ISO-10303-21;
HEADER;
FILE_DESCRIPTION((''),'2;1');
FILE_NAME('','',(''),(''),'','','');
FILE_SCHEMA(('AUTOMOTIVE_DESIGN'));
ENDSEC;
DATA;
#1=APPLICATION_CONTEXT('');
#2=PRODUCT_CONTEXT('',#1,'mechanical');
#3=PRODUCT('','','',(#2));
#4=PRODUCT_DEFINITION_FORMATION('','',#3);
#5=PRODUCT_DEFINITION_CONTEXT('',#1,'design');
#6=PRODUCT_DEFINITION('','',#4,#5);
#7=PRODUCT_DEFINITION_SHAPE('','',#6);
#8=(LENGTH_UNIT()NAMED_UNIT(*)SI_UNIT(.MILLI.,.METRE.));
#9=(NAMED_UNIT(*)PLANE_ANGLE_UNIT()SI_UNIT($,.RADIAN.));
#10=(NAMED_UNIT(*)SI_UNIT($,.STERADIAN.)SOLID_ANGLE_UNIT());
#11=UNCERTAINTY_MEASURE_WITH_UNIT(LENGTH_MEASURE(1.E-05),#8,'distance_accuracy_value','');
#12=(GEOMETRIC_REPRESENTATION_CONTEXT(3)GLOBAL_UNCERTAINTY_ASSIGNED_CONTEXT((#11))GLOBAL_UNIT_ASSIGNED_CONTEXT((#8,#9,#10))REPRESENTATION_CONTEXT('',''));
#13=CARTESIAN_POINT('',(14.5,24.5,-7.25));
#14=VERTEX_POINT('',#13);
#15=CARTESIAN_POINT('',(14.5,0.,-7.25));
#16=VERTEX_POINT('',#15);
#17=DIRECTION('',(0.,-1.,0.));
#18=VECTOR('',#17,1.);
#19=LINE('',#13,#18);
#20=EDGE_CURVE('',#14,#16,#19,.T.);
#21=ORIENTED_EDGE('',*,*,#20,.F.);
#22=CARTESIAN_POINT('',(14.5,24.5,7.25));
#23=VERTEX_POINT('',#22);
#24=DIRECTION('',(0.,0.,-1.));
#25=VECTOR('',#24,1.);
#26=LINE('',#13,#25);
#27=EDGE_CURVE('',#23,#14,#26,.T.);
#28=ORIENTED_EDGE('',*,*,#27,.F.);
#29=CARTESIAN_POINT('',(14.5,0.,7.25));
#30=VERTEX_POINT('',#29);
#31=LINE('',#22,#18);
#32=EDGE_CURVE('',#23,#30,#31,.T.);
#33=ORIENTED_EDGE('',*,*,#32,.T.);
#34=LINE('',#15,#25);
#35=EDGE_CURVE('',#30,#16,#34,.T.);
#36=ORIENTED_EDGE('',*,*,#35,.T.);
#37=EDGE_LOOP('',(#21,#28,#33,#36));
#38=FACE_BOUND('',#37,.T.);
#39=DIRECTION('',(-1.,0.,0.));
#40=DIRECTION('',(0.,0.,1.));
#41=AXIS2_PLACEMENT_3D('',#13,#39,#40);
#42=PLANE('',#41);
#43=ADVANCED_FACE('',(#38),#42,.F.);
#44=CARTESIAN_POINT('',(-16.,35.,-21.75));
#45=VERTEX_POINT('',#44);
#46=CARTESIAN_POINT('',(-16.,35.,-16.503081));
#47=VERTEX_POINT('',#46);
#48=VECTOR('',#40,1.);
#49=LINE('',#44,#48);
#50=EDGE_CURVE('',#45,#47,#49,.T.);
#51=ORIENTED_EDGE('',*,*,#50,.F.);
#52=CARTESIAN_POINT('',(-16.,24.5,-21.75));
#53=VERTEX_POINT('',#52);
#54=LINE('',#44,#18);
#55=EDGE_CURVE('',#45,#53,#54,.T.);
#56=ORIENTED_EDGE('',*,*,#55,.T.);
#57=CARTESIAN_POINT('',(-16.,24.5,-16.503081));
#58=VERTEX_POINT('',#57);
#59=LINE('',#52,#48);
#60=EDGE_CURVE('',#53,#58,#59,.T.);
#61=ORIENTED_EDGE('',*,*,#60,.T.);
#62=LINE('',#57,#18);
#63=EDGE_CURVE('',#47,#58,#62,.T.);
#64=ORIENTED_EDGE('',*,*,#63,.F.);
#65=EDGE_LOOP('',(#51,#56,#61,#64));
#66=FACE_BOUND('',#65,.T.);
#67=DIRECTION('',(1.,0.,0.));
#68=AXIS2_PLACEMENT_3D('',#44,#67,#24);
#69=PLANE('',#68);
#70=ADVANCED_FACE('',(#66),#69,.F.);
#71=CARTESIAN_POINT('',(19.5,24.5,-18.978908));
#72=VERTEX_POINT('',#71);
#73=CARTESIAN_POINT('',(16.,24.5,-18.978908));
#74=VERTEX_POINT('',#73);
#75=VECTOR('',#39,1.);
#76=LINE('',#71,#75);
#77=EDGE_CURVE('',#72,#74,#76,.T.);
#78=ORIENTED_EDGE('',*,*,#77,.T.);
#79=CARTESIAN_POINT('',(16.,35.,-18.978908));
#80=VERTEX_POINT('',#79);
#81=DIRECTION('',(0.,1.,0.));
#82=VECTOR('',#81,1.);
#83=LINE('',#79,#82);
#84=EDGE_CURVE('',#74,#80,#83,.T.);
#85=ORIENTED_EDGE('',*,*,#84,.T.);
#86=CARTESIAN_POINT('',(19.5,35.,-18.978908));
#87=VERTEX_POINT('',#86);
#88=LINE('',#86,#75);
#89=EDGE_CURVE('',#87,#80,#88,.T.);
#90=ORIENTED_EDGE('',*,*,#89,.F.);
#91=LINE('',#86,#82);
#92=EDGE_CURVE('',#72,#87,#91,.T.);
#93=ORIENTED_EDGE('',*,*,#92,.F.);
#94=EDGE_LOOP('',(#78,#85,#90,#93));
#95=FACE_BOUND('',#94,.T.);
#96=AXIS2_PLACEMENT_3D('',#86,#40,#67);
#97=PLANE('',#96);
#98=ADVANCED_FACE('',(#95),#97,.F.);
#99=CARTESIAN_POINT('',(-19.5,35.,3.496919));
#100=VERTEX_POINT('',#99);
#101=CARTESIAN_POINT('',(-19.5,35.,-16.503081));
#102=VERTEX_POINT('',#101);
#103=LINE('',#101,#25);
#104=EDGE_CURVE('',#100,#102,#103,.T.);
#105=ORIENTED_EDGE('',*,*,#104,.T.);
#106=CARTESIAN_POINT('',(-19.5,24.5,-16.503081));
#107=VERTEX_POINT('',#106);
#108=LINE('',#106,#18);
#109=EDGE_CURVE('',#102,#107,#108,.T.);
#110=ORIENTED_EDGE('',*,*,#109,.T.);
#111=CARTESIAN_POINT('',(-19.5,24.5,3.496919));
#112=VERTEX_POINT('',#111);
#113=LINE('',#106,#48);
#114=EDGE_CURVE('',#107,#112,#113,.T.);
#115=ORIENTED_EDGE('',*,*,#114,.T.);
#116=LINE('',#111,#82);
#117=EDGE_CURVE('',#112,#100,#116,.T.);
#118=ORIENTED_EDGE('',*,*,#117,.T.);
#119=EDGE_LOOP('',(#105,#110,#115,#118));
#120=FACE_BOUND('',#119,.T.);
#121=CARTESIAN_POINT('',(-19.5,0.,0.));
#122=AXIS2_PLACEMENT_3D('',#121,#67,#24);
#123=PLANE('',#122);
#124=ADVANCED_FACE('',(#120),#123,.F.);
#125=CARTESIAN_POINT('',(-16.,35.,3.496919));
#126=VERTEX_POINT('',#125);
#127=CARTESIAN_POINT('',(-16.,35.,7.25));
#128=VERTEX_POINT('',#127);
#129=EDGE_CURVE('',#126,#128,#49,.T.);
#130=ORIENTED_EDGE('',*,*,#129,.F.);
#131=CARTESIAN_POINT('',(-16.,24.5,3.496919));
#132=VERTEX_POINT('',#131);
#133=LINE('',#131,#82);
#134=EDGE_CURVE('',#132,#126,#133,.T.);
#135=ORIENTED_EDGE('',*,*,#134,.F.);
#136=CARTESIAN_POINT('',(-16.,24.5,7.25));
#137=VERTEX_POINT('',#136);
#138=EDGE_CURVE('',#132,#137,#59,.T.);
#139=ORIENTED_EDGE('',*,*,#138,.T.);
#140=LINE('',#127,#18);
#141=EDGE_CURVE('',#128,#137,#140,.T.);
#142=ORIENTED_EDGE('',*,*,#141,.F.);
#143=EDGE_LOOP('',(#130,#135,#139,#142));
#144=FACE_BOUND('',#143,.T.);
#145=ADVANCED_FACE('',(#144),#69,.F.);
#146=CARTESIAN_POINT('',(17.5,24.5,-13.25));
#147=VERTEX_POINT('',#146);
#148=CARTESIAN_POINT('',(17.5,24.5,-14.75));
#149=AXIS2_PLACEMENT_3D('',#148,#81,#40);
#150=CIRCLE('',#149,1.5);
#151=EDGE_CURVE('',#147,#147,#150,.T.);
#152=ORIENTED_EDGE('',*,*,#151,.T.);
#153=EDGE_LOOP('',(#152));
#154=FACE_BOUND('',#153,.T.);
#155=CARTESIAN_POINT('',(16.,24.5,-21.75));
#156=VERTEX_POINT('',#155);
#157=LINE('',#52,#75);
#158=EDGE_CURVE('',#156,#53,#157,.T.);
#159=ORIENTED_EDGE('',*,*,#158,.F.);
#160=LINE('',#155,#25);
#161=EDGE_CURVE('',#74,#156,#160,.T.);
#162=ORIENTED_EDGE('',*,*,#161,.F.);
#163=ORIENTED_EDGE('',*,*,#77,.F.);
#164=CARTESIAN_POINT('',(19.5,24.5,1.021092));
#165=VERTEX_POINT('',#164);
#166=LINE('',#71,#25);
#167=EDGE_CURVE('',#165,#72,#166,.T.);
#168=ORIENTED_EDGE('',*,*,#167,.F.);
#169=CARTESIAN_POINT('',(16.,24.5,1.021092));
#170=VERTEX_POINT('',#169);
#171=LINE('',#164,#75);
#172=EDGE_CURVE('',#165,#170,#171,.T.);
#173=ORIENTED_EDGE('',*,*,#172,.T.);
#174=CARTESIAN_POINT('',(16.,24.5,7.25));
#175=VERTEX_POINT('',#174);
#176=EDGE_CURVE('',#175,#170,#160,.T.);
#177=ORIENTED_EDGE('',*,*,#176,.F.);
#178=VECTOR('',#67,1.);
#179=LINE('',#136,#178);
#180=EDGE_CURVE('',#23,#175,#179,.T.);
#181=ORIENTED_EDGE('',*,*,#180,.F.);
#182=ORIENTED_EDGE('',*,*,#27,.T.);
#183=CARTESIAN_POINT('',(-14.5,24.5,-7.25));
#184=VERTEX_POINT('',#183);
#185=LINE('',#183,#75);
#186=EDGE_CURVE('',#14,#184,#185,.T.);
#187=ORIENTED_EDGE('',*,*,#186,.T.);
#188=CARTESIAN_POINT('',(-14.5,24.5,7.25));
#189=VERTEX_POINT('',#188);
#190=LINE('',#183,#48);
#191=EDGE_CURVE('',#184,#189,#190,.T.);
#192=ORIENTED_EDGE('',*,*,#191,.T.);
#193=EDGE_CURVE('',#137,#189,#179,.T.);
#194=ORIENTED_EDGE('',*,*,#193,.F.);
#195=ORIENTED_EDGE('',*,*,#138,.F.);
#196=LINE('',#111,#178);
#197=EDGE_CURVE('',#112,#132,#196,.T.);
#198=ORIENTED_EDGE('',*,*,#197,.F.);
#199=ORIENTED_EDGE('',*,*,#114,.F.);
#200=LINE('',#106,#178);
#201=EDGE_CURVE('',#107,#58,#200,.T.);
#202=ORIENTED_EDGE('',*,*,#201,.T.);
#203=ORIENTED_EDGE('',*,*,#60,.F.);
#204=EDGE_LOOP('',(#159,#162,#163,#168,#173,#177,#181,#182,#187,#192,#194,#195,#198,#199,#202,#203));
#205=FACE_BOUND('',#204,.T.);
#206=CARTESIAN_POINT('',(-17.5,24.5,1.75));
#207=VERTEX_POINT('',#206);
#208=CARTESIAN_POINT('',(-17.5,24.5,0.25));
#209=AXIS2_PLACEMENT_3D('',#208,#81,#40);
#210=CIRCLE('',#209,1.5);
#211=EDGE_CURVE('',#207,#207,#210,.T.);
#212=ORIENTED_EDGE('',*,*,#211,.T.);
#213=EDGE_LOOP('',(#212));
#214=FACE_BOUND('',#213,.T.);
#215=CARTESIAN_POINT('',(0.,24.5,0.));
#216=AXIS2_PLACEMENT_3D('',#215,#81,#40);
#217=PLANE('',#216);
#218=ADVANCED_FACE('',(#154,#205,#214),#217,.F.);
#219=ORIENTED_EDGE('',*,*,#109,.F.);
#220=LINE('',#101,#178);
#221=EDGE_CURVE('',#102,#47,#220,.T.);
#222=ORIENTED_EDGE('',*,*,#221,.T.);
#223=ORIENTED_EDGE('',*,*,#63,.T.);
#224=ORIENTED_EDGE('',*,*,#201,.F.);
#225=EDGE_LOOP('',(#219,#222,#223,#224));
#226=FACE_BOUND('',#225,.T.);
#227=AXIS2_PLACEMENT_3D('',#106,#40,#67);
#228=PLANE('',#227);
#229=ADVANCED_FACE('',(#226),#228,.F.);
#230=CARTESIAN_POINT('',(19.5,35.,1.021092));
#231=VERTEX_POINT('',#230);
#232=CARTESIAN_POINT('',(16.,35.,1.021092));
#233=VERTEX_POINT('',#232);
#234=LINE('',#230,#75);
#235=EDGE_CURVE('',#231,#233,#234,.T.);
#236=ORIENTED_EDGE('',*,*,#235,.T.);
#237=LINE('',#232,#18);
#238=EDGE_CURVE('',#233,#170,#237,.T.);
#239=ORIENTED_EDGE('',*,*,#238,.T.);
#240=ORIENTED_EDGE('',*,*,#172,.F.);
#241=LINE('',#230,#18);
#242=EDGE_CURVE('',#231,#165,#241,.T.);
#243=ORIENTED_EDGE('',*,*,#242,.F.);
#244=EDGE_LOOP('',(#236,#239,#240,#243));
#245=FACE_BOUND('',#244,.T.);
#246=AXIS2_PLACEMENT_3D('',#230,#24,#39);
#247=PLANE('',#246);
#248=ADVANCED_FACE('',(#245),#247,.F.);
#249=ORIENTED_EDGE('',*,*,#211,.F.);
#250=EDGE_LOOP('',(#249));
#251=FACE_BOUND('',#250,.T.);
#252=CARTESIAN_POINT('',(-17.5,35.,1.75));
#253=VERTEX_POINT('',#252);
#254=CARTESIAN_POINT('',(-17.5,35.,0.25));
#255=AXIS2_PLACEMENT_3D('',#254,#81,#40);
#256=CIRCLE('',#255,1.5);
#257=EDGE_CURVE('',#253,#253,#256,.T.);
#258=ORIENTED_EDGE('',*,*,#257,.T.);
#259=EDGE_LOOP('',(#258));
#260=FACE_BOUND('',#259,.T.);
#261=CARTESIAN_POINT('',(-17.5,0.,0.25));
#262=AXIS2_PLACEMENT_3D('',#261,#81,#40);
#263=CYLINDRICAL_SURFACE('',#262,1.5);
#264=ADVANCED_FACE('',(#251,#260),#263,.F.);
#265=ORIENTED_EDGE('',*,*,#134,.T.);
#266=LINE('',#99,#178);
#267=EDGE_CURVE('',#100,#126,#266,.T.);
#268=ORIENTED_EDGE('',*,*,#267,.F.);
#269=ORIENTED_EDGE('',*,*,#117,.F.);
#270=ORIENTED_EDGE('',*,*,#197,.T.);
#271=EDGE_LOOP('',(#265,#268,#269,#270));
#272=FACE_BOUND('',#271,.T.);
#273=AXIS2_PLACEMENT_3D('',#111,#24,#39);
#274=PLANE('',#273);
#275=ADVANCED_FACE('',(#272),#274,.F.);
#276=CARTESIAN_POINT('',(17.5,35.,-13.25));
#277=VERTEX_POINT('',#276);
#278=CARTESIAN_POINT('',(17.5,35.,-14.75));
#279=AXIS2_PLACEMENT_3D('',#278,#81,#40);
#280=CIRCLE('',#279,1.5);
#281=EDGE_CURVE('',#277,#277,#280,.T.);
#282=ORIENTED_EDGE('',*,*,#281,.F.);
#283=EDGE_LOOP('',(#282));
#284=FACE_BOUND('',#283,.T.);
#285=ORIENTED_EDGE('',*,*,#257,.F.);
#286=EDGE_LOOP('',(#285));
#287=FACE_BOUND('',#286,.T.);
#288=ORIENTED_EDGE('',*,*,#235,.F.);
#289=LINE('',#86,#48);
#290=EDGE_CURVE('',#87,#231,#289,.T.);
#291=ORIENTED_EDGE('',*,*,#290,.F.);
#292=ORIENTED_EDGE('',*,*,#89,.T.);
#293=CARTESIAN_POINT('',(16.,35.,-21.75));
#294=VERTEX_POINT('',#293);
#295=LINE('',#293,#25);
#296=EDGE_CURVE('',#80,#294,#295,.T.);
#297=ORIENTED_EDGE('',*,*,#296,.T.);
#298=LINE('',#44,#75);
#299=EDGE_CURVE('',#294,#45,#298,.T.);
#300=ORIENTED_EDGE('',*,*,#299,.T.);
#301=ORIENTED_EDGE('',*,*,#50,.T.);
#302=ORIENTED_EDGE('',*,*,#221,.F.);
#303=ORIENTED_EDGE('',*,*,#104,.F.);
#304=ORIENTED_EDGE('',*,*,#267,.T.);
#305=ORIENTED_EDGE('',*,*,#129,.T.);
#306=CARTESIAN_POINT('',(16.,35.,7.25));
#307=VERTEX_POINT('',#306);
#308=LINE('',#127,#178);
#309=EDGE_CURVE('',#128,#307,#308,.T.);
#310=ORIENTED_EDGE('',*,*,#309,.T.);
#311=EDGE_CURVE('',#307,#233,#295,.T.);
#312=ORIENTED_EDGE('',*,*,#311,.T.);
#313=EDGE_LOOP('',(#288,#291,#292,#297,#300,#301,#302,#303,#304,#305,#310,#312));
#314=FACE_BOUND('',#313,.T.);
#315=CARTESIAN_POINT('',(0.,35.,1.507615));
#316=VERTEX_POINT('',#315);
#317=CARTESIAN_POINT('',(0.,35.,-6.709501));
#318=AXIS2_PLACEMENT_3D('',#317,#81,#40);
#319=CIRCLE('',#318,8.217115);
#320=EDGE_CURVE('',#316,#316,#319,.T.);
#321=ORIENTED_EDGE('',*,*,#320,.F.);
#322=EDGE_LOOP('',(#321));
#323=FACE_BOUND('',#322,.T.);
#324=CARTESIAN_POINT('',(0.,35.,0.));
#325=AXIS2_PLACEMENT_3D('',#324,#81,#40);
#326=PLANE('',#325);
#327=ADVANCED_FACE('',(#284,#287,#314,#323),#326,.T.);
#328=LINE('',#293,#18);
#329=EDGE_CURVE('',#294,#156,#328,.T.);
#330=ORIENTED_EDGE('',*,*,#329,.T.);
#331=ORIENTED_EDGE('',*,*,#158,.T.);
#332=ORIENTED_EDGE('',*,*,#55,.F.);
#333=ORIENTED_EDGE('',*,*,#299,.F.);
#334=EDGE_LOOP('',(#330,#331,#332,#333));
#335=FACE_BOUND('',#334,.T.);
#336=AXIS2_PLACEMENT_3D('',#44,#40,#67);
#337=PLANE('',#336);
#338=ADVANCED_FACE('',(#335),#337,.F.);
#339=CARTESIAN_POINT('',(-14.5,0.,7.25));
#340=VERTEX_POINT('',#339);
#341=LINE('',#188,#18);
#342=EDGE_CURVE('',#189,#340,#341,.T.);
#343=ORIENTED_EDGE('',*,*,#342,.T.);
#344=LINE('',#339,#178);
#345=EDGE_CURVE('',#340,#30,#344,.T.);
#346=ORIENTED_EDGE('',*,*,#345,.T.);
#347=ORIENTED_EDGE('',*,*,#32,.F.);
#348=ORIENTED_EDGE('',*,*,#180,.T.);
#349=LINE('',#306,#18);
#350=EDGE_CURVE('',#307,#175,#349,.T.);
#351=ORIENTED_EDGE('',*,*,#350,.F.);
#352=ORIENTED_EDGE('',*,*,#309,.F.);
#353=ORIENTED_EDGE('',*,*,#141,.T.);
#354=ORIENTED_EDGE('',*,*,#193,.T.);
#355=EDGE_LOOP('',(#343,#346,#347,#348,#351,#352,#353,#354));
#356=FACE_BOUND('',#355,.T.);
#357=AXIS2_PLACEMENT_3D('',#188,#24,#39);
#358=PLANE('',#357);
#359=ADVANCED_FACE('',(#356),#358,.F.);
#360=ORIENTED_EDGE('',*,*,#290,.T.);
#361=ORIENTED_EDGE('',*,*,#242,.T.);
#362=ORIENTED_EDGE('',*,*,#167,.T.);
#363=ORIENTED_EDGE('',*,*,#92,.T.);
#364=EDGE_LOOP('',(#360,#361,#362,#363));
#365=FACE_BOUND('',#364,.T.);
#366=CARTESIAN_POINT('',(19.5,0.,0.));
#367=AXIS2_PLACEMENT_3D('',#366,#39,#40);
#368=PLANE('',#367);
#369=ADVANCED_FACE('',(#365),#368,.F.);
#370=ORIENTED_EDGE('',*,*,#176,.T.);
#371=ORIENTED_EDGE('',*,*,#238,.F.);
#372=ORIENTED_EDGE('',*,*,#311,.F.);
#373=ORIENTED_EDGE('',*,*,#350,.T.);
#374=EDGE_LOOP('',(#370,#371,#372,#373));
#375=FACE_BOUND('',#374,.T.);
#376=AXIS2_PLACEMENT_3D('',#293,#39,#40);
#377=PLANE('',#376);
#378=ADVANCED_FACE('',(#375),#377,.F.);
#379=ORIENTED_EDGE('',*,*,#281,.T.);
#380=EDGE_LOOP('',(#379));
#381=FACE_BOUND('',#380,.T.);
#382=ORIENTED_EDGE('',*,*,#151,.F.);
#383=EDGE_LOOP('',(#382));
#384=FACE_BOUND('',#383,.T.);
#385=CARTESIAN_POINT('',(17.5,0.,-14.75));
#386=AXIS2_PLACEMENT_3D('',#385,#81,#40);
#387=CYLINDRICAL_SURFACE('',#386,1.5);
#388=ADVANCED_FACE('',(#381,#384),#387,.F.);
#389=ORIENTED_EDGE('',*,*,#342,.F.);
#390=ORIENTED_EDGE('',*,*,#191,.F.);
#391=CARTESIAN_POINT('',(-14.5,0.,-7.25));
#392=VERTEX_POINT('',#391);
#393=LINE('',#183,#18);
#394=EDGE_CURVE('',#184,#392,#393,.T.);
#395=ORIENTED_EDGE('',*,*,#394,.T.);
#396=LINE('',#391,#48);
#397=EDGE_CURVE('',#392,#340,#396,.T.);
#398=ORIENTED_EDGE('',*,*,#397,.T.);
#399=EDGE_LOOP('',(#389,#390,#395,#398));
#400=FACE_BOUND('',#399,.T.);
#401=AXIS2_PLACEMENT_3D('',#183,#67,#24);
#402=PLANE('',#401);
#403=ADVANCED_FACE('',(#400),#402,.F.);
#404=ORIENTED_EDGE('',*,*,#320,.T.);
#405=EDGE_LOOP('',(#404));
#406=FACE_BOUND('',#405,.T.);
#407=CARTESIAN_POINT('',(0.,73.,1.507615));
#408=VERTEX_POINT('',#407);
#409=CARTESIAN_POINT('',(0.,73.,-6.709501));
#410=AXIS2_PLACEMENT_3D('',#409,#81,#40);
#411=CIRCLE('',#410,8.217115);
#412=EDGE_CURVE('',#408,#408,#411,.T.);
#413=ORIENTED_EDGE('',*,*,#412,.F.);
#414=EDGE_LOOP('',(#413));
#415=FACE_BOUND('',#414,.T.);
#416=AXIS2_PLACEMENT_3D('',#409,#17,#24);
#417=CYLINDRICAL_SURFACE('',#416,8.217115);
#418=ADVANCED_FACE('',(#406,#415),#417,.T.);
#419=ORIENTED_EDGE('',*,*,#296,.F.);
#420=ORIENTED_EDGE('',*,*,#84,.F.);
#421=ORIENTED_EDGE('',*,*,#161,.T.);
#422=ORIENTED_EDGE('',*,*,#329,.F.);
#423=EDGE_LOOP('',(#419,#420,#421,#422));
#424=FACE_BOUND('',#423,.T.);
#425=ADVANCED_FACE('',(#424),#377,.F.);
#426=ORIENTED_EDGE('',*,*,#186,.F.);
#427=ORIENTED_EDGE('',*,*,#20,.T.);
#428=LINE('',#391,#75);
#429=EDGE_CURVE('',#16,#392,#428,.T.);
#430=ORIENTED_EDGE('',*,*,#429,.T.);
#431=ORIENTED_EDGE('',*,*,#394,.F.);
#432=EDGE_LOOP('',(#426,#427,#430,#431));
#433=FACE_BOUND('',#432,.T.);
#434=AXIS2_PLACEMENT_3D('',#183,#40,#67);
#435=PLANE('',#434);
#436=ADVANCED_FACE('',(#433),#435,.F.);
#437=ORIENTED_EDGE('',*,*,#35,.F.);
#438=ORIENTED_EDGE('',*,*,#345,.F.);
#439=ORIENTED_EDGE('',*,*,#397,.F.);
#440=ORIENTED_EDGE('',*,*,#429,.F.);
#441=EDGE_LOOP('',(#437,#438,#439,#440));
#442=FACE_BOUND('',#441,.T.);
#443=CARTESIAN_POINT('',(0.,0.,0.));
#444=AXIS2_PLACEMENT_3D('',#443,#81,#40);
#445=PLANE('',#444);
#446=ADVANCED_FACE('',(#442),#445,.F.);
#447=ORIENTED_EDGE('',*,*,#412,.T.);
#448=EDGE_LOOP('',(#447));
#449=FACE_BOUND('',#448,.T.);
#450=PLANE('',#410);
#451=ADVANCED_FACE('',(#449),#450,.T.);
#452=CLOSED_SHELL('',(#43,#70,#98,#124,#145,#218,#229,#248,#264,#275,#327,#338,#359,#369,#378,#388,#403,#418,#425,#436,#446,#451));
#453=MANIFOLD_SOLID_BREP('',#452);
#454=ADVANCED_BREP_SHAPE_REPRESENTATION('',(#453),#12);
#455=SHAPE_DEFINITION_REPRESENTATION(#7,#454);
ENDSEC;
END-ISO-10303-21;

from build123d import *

# Parameters (mm, degrees)
SKETCH_1_W          = 29
SKETCH_1_H          = 14.5
EXTRUDE_1_DEPTH     = 24.5
SKETCH_3_W          = 32
SKETCH_3_H          = 29
EXTRUDE_3_DEPTH     = 10.5
SKETCH_6_W          = 20
SKETCH_6_H          = 10.5
EXTRUDE_5_DEPTH     = 3.5
SKETCH_8_W          = 20
SKETCH_8_H          = 10.5
EXTRUDE_6_DEPTH     = 3.5
SKETCH_9_R          = 1.5
CUT_EXTRUDE_1_DEPTH = 36
SKETCH_11_R         = 8.217115379
EXTRUDE_7_DEPTH     = 38


with BuildPart() as part:
    # 草圖1 → 填料-伸長1 (new body)
    with BuildSketch(Plane(origin=(0, 0, 0), x_dir=(1, 0, 0), z_dir=(0, 1, 0))):
        Rectangle(SKETCH_1_W, SKETCH_1_H)
    extrude(amount=EXTRUDE_1_DEPTH)

    # 草圖3 → 填料-伸長3 (add)
    with BuildSketch(Plane(origin=(0, 24.5, 0), x_dir=(1, 0, 0), z_dir=(0, 1, 0))):
        with Locations((0, 7.25)):
            Rectangle(SKETCH_3_W, SKETCH_3_H)
    extrude(amount=EXTRUDE_3_DEPTH)

    # 草圖6 → 填料-伸長5 (add)
    with BuildSketch(Plane(origin=(16, 0, 0), x_dir=(0, 0, -1), z_dir=(1, 0, 0))):
        with Locations((8.978907639, 29.75)):
            Rectangle(SKETCH_6_W, SKETCH_6_H)
    extrude(amount=EXTRUDE_5_DEPTH)

    # 草圖8 → 填料-伸長6 (add)
    with BuildSketch(Plane.ZY.offset(16)):
        with Locations((-6.503080988, 29.75)):
            Rectangle(SKETCH_8_W, SKETCH_8_H)
    extrude(amount=EXTRUDE_6_DEPTH)

    # 草圖9 → 除料-伸長1 (cut, through all)
    with BuildSketch(Plane(origin=(0, 35, 0), x_dir=(1, 0, 0), z_dir=(0, 1, 0))):
        with Locations((17.5, 14.75)):
            Circle(SKETCH_9_R)
        with Locations((-17.5, -0.25)):
            Circle(SKETCH_9_R)
    extrude(amount=-CUT_EXTRUDE_1_DEPTH, mode=Mode.SUBTRACT)

    # 草圖11 → 填料-伸長7 (add)
    with BuildSketch(Plane(origin=(0, 35, 0), x_dir=(1, 0, 0), z_dir=(0, 1, 0))):
        with Locations((0, 6.709500823)):
            Circle(SKETCH_11_R)
    extrude(amount=EXTRUDE_7_DEPTH)


solid = part.part
